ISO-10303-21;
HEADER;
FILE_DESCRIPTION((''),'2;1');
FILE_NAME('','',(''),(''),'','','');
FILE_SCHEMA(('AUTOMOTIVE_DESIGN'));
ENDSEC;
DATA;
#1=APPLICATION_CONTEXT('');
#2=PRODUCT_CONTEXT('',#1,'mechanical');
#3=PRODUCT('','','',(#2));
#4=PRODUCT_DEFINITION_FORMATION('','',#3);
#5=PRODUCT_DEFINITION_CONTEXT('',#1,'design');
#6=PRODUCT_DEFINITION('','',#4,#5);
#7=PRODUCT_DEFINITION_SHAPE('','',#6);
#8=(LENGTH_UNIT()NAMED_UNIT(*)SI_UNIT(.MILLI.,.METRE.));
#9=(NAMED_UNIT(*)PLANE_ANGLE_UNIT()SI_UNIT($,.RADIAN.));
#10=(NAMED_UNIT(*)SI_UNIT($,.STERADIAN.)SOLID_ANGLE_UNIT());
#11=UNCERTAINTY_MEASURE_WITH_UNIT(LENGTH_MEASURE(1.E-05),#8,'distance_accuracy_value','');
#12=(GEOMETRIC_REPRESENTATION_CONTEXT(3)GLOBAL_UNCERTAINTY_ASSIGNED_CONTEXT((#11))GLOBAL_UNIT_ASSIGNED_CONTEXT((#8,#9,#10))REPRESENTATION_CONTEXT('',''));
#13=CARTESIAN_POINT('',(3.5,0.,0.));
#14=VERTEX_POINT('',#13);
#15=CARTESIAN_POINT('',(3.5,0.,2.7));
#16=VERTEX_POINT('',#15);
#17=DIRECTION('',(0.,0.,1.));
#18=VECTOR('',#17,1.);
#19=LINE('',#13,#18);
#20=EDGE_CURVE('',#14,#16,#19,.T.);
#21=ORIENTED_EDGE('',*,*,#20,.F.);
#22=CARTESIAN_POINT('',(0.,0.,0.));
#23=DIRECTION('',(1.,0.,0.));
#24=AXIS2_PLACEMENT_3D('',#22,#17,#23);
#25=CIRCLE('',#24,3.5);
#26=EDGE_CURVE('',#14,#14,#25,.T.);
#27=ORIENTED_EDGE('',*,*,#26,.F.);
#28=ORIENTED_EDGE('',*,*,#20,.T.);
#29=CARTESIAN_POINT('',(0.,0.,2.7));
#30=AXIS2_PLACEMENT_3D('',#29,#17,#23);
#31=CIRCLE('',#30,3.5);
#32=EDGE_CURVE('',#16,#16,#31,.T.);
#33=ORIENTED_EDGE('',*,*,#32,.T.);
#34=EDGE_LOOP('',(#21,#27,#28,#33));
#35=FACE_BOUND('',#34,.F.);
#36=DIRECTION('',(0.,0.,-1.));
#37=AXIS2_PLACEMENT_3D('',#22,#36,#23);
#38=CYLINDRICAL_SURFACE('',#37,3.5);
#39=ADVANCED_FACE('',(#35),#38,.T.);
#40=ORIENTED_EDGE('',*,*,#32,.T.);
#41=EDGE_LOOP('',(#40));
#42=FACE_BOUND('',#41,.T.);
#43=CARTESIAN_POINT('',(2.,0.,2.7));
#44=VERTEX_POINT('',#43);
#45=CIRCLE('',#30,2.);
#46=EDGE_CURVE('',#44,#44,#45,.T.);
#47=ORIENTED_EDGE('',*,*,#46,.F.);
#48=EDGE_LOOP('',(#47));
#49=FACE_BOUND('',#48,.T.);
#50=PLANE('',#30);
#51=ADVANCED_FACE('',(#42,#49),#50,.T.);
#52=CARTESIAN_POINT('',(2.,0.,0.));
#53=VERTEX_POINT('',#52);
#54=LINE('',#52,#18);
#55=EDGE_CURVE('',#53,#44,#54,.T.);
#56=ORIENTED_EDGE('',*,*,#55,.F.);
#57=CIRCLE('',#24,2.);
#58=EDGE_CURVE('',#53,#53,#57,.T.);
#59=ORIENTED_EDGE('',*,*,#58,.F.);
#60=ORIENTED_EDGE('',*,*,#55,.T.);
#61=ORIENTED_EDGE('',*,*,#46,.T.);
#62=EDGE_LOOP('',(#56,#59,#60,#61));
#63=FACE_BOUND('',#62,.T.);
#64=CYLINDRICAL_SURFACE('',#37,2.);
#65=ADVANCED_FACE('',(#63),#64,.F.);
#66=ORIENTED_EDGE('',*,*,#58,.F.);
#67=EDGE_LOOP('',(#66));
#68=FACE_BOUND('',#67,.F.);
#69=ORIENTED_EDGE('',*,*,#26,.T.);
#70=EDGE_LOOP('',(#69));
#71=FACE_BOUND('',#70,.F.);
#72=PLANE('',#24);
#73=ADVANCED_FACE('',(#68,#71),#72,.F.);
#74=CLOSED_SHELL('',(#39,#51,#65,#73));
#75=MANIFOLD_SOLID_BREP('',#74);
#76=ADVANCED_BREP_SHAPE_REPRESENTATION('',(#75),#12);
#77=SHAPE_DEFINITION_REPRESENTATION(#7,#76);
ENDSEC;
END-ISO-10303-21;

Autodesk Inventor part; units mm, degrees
ref_plane "YZ Plane" through (0, 0, 0) normal (1, 0, 0) x (0, 1, 0)
ref_plane "XZ Plane" through (0, 0, 0) normal (0, 1, 0) x (-1, 0, 0)
ref_plane "XY Plane" through (0, 0, 0) normal (0, 0, 1) x (1, 0, 0)
sketch "スケッチ1" plane through (0, 0, 0) normal (0, 0, 1) x (1, 0, 0)
  circle A0 centre (0, 0) radius 2
  circle A1 centre (0, 0) radius 3.5
  dimension "d0" = 4
  dimension "d1" = 7
extrude "押し出し1" add sketch "スケッチ1" along normal blind 2.7
properties part number "G9hub"
